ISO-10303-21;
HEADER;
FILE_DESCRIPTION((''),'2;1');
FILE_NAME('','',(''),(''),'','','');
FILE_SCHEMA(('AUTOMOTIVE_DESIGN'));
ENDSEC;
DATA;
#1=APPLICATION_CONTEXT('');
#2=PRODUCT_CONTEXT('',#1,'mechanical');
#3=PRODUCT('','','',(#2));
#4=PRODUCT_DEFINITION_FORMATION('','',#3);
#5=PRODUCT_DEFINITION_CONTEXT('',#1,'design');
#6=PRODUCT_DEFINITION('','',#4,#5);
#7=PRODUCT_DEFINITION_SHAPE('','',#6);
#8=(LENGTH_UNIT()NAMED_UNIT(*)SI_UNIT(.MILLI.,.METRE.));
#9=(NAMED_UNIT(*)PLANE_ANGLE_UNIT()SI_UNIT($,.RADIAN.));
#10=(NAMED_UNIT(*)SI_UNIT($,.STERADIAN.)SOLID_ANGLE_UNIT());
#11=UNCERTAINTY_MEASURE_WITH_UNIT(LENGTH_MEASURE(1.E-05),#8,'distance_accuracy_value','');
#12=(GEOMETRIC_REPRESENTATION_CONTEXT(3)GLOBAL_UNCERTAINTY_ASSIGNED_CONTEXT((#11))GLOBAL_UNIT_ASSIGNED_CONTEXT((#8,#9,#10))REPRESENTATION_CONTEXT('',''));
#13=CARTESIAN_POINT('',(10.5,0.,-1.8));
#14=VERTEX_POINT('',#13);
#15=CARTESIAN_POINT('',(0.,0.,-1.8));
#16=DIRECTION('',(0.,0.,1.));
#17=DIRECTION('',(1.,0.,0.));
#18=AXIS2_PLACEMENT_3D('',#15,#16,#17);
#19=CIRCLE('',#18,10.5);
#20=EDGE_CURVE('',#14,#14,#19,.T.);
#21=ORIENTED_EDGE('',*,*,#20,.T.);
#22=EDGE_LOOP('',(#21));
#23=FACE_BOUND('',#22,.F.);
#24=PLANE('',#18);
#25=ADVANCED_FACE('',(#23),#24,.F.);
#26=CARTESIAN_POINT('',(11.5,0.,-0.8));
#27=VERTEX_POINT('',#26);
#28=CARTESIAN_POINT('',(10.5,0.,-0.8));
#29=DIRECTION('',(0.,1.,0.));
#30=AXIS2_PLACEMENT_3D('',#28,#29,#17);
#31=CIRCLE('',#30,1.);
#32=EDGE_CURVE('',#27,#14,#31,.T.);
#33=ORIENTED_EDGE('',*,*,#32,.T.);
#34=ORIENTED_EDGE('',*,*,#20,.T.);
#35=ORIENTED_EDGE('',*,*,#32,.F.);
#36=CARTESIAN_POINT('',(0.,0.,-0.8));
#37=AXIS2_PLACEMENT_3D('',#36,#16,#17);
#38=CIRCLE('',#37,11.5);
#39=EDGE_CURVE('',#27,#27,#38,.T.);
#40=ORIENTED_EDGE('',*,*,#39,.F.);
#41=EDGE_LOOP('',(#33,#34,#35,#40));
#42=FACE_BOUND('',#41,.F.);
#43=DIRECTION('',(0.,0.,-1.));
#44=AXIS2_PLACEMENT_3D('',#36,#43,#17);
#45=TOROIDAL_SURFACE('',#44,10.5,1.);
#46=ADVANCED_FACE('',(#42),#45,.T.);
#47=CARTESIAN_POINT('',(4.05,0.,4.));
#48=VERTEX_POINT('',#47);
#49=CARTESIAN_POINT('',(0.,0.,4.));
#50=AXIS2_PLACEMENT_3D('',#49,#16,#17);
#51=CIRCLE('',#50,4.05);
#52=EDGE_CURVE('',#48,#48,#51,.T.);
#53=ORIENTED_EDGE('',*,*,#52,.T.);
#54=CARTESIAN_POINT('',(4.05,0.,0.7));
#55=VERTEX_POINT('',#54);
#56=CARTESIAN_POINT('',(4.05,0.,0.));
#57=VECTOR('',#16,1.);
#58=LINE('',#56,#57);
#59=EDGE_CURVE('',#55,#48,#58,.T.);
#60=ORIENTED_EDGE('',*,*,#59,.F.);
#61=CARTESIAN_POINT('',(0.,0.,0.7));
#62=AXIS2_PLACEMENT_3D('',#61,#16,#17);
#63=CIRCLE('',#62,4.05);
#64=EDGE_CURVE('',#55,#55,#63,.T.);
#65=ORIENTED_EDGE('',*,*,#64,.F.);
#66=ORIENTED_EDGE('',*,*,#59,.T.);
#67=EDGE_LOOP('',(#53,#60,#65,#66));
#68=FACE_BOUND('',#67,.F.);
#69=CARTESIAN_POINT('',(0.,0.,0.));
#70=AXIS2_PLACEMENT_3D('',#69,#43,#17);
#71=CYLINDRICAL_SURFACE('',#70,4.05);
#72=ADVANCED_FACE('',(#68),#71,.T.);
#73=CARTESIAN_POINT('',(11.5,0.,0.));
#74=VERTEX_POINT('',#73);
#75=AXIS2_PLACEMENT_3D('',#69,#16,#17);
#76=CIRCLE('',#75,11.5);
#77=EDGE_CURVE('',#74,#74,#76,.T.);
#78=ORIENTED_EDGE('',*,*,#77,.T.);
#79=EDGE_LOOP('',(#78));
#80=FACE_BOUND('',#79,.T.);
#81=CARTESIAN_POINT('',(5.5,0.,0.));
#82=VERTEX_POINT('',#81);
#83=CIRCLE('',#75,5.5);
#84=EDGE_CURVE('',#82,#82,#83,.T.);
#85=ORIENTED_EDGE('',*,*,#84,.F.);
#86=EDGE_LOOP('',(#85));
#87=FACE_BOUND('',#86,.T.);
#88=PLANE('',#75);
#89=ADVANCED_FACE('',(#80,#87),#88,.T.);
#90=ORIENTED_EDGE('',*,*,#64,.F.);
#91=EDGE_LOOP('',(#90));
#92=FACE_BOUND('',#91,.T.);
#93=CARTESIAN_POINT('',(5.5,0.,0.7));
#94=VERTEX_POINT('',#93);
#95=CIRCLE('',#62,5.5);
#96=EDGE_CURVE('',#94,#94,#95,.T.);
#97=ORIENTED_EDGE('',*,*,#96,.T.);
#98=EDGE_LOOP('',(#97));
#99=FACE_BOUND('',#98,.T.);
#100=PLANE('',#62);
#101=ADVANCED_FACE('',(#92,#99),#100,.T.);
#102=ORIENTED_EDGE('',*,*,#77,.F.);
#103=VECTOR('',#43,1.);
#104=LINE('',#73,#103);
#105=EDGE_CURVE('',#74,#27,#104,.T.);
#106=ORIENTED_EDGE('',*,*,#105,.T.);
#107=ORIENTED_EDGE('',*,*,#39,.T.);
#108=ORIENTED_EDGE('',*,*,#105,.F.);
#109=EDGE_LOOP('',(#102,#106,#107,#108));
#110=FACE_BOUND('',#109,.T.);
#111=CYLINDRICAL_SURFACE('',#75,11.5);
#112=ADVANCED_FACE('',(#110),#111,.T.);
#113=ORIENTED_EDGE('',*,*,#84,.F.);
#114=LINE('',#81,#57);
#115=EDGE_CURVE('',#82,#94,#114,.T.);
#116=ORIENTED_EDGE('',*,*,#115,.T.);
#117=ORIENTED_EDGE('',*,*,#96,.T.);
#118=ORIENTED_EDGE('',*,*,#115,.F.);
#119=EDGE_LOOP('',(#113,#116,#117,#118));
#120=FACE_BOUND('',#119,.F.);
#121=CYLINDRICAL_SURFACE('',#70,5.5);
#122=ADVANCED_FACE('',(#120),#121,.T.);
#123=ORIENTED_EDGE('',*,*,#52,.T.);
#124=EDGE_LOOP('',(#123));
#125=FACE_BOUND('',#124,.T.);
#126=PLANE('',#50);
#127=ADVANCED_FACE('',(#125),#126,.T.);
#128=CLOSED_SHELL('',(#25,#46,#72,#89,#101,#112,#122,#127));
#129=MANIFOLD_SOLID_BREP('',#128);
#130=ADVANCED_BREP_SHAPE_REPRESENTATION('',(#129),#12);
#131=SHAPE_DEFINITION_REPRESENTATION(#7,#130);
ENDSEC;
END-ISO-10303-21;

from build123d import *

# Parameters (mm, degrees)
F0_R     = 11.5
F0_R_2   = 5.5
F0_R_3   = 4.05
F1_DEPTH = 1.8
F2_DEPTH = 4
F3_DEPTH = 0.7
F4_R     = 1


with BuildPart() as f1:
    # F0 (on Top) → F1 (new body)
    with BuildSketch(Plane.XY):
        Circle(F0_R)
        Circle(F0_R_2, mode=Mode.SUBTRACT)
        Circle(F0_R_2)
        Circle(F0_R_3, mode=Mode.SUBTRACT)
        Circle(F0_R_3)
    extrude(amount=-F1_DEPTH)

    # F0 (on Top) → F2 (join)
    with BuildSketch(Plane.XY):
        Circle(F0_R_3)
    extrude(amount=F2_DEPTH)

    # F0 (on Top) → F3 (join)
    with BuildSketch(Plane.XY):
        Circle(F0_R_2)
        Circle(F0_R_3, mode=Mode.SUBTRACT)
    extrude(amount=F3_DEPTH)

    # F4
    f4_edges = [f1.edges().sort_by_distance(p)[0] for p in [
        (-11.5, 0, -1.8),
    ]]
    fillet(f4_edges, radius=F4_R)


solid = f1.part
